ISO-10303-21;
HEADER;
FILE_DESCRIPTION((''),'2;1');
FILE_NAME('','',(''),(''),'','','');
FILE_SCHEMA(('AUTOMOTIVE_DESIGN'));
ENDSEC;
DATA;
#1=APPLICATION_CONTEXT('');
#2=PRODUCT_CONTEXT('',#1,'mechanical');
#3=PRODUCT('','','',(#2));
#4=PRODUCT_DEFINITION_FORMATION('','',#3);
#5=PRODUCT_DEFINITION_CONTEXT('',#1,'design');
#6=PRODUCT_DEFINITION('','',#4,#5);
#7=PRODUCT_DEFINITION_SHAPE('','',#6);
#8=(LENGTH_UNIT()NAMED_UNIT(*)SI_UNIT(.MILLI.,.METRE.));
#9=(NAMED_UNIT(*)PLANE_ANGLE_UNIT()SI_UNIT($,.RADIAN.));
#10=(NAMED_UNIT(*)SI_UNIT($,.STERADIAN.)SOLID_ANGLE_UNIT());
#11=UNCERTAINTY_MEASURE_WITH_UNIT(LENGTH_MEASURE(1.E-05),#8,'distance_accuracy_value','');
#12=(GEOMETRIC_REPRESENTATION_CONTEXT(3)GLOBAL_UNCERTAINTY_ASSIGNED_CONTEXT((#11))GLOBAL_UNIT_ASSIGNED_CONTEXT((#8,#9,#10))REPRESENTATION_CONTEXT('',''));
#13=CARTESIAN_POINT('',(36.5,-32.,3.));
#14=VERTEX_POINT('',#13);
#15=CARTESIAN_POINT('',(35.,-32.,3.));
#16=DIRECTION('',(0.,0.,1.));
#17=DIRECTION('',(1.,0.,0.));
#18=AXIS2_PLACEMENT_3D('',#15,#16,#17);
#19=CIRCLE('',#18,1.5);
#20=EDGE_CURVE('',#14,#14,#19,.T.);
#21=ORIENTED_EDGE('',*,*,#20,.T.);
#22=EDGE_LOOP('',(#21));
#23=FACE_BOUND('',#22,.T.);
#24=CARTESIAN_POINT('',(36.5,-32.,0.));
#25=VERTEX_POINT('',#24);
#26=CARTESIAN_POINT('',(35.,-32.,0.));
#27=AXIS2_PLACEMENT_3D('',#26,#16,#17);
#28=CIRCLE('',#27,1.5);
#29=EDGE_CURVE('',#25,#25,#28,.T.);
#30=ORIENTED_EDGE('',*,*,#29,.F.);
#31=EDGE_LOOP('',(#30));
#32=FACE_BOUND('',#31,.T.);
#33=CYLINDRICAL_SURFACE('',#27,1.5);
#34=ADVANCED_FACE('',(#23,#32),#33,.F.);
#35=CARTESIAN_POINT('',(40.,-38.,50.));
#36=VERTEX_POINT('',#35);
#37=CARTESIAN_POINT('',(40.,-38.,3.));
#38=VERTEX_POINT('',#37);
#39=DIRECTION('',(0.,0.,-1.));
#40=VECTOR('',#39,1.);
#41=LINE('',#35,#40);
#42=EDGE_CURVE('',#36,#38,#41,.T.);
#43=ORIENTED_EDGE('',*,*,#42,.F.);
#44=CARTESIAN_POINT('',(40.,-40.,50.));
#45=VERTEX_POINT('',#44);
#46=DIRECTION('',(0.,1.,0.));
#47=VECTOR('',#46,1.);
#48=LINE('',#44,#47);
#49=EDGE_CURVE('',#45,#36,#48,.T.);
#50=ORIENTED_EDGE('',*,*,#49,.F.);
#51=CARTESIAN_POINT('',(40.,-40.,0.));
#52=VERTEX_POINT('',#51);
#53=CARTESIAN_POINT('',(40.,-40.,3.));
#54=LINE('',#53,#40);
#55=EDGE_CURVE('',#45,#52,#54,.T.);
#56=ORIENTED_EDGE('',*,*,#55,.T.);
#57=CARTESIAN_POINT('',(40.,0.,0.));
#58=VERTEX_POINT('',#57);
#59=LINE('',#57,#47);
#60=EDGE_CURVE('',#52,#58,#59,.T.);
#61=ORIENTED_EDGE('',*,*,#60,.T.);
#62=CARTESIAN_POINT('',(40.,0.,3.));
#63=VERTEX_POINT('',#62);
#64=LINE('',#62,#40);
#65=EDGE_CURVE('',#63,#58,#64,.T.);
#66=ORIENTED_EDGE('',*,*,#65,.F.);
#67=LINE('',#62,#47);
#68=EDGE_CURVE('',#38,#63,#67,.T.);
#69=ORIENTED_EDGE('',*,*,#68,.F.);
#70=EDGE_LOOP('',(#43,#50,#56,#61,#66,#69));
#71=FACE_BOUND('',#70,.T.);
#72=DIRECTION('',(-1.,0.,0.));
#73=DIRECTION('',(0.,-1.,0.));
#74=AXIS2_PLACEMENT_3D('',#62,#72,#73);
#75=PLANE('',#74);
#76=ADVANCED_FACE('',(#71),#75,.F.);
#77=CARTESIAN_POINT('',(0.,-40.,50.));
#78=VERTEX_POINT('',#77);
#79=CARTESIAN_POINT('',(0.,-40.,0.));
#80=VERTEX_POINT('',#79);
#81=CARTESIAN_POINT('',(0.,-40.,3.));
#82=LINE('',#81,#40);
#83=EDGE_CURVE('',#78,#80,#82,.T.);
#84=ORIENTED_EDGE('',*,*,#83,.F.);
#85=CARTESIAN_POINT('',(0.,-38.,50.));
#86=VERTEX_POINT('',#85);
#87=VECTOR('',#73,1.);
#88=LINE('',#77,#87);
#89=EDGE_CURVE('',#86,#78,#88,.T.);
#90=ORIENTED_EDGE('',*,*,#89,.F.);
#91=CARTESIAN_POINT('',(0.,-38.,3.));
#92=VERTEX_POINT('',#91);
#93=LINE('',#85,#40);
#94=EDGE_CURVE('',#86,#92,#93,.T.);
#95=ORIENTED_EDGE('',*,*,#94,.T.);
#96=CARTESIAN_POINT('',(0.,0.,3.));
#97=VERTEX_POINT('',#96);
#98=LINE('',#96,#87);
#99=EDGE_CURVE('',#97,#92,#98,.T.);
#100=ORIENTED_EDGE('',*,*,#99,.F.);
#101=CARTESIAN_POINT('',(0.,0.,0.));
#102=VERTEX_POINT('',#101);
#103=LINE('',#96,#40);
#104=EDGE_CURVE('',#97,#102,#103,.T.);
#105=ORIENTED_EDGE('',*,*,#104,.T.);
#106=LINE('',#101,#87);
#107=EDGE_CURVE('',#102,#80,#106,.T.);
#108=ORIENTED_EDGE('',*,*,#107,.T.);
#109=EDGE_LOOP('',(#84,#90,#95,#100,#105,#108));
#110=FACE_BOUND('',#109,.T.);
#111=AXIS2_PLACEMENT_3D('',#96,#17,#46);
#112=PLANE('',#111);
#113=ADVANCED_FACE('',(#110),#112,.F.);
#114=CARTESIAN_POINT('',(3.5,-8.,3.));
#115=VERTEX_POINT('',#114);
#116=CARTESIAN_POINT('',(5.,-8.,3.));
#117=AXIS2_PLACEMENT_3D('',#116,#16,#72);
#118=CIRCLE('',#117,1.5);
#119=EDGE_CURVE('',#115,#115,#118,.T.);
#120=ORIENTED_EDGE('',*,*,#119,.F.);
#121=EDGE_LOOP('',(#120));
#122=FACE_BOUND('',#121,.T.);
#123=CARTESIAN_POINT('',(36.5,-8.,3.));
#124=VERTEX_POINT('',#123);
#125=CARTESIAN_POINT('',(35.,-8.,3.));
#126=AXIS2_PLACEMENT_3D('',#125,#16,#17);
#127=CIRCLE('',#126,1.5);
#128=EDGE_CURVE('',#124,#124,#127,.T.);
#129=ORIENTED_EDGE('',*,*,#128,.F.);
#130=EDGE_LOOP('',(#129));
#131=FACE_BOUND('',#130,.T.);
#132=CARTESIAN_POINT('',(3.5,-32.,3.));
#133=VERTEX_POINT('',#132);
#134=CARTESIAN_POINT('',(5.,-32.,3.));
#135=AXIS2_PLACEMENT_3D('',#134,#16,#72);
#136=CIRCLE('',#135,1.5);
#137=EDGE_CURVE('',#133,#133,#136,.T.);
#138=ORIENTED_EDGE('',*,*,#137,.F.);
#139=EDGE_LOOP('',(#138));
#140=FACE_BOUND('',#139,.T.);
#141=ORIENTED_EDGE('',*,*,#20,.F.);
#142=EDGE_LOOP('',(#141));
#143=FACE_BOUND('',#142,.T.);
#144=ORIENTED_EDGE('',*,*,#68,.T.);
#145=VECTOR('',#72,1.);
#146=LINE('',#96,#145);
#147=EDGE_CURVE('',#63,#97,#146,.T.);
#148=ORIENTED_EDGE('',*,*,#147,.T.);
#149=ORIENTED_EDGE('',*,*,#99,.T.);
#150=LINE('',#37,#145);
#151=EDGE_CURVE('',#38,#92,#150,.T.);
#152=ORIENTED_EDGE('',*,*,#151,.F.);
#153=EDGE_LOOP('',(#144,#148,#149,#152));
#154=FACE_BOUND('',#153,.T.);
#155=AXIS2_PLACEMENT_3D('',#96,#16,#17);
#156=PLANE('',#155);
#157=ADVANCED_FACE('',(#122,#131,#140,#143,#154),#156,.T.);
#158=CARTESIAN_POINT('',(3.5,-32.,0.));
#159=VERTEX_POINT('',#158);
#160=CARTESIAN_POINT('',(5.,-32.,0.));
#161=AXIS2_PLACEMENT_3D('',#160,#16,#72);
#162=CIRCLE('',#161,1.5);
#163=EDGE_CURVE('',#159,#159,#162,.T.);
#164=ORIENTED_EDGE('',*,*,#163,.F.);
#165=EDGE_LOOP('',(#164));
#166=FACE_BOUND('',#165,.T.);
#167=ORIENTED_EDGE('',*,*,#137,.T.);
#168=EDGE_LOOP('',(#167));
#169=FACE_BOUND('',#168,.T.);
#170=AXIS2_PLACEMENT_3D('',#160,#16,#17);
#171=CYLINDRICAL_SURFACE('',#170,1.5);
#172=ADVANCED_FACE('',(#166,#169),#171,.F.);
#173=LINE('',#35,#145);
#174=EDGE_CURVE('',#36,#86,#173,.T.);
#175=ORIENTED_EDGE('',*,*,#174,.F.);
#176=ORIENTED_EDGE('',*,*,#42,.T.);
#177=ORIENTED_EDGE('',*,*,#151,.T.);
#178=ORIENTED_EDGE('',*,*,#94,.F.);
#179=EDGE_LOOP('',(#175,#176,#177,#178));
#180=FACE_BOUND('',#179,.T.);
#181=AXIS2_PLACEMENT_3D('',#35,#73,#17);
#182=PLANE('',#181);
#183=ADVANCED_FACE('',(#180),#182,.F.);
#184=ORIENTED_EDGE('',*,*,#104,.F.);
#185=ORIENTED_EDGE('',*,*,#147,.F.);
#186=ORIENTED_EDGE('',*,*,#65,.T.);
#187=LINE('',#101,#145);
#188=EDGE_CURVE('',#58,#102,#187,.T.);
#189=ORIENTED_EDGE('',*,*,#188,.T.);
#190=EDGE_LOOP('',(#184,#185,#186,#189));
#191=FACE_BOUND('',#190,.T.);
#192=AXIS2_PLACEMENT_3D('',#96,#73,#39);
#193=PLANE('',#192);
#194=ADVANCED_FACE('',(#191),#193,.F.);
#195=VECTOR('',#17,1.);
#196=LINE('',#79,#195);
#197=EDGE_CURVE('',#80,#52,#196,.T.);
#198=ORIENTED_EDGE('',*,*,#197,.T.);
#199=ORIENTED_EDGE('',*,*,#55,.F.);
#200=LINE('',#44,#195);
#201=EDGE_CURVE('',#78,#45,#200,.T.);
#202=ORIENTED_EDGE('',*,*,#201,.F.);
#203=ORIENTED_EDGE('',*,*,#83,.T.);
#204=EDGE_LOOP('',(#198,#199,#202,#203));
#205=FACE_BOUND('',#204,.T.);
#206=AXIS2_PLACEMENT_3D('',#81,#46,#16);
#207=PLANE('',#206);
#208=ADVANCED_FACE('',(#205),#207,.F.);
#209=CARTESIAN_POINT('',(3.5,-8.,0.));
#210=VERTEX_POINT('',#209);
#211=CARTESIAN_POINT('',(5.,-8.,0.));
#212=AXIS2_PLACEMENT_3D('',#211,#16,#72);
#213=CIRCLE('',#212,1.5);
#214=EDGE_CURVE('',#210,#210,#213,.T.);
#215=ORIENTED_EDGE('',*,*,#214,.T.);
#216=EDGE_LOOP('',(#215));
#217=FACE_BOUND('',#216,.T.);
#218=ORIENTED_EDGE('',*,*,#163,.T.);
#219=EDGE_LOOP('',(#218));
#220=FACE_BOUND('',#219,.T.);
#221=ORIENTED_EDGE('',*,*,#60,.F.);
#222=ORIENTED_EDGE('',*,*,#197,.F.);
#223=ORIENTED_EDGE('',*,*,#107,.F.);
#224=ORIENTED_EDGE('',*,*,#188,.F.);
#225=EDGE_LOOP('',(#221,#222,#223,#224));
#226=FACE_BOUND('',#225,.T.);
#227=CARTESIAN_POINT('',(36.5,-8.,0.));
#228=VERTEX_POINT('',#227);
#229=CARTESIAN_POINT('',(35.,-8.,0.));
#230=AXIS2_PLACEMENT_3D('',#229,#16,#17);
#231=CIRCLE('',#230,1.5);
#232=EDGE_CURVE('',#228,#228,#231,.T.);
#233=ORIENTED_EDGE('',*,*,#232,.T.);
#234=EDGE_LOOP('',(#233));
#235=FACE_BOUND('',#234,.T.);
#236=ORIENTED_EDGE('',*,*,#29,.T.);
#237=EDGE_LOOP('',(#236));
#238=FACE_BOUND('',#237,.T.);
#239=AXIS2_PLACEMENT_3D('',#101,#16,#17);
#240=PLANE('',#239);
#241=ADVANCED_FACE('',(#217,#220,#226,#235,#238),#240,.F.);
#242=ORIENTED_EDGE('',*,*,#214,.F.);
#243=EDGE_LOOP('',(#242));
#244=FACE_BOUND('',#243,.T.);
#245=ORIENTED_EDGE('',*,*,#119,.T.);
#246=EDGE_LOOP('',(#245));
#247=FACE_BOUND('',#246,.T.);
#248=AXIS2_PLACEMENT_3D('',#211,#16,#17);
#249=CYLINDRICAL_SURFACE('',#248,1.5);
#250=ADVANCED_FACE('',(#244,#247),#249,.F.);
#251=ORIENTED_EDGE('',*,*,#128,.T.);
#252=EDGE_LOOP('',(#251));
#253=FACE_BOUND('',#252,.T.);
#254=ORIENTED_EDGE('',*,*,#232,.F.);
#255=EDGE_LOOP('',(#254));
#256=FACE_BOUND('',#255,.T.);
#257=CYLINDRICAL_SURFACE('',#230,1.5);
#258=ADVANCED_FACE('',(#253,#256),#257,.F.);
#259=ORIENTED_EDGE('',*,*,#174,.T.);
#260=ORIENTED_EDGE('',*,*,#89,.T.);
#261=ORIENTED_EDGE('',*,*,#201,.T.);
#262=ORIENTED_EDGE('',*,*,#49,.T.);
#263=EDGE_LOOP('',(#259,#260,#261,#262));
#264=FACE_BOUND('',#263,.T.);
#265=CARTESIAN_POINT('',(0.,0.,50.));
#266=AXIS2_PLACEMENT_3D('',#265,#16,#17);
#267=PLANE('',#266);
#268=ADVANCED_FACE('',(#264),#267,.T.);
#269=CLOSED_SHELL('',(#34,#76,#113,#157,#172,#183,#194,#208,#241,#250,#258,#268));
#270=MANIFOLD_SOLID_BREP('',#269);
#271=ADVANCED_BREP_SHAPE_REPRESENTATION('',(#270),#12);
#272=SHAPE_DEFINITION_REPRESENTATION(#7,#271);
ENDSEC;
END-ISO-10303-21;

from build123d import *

# Parameters (mm, degrees)
SKETCH_1_W          = 40
SKETCH_1_H          = 40
EXTRUDE_1_DEPTH     = 3
SKETCH_2_R          = 1.5
CUT_EXTRUDE_1_DEPTH = 3
SKETCH_3_W          = 40
SKETCH_3_H          = 2
EXTRUDE_2_DEPTH     = 47


with BuildPart() as part:
    # 草图1 → 凸台-拉伸1 (new body)
    with BuildSketch(Plane.XY):
        with Locations((20, -20)):
            Rectangle(SKETCH_1_W, SKETCH_1_H)
    extrude(amount=EXTRUDE_1_DEPTH)

    # 草图2 → 切除-拉伸1 (cut)
    with BuildSketch(Plane.XY.offset(3)):
        with Locations((35, -8)):
            Circle(SKETCH_2_R)
        with Locations(Location((5, -8, 0), (0, 0, 180))):
            Circle(SKETCH_2_R)
        with Locations((35, -32)):
            Circle(SKETCH_2_R)
        with Locations(Location((5, -32, 0), (0, 0, 180))):
            Circle(SKETCH_2_R)
    extrude(amount=-CUT_EXTRUDE_1_DEPTH, mode=Mode.SUBTRACT)

    # 草图3 → 凸台-拉伸2 (add)
    with BuildSketch(Plane.XY.offset(3)):
        with Locations((20, -39)):
            Rectangle(SKETCH_3_W, SKETCH_3_H)
    extrude(amount=EXTRUDE_2_DEPTH)


solid = part.part
